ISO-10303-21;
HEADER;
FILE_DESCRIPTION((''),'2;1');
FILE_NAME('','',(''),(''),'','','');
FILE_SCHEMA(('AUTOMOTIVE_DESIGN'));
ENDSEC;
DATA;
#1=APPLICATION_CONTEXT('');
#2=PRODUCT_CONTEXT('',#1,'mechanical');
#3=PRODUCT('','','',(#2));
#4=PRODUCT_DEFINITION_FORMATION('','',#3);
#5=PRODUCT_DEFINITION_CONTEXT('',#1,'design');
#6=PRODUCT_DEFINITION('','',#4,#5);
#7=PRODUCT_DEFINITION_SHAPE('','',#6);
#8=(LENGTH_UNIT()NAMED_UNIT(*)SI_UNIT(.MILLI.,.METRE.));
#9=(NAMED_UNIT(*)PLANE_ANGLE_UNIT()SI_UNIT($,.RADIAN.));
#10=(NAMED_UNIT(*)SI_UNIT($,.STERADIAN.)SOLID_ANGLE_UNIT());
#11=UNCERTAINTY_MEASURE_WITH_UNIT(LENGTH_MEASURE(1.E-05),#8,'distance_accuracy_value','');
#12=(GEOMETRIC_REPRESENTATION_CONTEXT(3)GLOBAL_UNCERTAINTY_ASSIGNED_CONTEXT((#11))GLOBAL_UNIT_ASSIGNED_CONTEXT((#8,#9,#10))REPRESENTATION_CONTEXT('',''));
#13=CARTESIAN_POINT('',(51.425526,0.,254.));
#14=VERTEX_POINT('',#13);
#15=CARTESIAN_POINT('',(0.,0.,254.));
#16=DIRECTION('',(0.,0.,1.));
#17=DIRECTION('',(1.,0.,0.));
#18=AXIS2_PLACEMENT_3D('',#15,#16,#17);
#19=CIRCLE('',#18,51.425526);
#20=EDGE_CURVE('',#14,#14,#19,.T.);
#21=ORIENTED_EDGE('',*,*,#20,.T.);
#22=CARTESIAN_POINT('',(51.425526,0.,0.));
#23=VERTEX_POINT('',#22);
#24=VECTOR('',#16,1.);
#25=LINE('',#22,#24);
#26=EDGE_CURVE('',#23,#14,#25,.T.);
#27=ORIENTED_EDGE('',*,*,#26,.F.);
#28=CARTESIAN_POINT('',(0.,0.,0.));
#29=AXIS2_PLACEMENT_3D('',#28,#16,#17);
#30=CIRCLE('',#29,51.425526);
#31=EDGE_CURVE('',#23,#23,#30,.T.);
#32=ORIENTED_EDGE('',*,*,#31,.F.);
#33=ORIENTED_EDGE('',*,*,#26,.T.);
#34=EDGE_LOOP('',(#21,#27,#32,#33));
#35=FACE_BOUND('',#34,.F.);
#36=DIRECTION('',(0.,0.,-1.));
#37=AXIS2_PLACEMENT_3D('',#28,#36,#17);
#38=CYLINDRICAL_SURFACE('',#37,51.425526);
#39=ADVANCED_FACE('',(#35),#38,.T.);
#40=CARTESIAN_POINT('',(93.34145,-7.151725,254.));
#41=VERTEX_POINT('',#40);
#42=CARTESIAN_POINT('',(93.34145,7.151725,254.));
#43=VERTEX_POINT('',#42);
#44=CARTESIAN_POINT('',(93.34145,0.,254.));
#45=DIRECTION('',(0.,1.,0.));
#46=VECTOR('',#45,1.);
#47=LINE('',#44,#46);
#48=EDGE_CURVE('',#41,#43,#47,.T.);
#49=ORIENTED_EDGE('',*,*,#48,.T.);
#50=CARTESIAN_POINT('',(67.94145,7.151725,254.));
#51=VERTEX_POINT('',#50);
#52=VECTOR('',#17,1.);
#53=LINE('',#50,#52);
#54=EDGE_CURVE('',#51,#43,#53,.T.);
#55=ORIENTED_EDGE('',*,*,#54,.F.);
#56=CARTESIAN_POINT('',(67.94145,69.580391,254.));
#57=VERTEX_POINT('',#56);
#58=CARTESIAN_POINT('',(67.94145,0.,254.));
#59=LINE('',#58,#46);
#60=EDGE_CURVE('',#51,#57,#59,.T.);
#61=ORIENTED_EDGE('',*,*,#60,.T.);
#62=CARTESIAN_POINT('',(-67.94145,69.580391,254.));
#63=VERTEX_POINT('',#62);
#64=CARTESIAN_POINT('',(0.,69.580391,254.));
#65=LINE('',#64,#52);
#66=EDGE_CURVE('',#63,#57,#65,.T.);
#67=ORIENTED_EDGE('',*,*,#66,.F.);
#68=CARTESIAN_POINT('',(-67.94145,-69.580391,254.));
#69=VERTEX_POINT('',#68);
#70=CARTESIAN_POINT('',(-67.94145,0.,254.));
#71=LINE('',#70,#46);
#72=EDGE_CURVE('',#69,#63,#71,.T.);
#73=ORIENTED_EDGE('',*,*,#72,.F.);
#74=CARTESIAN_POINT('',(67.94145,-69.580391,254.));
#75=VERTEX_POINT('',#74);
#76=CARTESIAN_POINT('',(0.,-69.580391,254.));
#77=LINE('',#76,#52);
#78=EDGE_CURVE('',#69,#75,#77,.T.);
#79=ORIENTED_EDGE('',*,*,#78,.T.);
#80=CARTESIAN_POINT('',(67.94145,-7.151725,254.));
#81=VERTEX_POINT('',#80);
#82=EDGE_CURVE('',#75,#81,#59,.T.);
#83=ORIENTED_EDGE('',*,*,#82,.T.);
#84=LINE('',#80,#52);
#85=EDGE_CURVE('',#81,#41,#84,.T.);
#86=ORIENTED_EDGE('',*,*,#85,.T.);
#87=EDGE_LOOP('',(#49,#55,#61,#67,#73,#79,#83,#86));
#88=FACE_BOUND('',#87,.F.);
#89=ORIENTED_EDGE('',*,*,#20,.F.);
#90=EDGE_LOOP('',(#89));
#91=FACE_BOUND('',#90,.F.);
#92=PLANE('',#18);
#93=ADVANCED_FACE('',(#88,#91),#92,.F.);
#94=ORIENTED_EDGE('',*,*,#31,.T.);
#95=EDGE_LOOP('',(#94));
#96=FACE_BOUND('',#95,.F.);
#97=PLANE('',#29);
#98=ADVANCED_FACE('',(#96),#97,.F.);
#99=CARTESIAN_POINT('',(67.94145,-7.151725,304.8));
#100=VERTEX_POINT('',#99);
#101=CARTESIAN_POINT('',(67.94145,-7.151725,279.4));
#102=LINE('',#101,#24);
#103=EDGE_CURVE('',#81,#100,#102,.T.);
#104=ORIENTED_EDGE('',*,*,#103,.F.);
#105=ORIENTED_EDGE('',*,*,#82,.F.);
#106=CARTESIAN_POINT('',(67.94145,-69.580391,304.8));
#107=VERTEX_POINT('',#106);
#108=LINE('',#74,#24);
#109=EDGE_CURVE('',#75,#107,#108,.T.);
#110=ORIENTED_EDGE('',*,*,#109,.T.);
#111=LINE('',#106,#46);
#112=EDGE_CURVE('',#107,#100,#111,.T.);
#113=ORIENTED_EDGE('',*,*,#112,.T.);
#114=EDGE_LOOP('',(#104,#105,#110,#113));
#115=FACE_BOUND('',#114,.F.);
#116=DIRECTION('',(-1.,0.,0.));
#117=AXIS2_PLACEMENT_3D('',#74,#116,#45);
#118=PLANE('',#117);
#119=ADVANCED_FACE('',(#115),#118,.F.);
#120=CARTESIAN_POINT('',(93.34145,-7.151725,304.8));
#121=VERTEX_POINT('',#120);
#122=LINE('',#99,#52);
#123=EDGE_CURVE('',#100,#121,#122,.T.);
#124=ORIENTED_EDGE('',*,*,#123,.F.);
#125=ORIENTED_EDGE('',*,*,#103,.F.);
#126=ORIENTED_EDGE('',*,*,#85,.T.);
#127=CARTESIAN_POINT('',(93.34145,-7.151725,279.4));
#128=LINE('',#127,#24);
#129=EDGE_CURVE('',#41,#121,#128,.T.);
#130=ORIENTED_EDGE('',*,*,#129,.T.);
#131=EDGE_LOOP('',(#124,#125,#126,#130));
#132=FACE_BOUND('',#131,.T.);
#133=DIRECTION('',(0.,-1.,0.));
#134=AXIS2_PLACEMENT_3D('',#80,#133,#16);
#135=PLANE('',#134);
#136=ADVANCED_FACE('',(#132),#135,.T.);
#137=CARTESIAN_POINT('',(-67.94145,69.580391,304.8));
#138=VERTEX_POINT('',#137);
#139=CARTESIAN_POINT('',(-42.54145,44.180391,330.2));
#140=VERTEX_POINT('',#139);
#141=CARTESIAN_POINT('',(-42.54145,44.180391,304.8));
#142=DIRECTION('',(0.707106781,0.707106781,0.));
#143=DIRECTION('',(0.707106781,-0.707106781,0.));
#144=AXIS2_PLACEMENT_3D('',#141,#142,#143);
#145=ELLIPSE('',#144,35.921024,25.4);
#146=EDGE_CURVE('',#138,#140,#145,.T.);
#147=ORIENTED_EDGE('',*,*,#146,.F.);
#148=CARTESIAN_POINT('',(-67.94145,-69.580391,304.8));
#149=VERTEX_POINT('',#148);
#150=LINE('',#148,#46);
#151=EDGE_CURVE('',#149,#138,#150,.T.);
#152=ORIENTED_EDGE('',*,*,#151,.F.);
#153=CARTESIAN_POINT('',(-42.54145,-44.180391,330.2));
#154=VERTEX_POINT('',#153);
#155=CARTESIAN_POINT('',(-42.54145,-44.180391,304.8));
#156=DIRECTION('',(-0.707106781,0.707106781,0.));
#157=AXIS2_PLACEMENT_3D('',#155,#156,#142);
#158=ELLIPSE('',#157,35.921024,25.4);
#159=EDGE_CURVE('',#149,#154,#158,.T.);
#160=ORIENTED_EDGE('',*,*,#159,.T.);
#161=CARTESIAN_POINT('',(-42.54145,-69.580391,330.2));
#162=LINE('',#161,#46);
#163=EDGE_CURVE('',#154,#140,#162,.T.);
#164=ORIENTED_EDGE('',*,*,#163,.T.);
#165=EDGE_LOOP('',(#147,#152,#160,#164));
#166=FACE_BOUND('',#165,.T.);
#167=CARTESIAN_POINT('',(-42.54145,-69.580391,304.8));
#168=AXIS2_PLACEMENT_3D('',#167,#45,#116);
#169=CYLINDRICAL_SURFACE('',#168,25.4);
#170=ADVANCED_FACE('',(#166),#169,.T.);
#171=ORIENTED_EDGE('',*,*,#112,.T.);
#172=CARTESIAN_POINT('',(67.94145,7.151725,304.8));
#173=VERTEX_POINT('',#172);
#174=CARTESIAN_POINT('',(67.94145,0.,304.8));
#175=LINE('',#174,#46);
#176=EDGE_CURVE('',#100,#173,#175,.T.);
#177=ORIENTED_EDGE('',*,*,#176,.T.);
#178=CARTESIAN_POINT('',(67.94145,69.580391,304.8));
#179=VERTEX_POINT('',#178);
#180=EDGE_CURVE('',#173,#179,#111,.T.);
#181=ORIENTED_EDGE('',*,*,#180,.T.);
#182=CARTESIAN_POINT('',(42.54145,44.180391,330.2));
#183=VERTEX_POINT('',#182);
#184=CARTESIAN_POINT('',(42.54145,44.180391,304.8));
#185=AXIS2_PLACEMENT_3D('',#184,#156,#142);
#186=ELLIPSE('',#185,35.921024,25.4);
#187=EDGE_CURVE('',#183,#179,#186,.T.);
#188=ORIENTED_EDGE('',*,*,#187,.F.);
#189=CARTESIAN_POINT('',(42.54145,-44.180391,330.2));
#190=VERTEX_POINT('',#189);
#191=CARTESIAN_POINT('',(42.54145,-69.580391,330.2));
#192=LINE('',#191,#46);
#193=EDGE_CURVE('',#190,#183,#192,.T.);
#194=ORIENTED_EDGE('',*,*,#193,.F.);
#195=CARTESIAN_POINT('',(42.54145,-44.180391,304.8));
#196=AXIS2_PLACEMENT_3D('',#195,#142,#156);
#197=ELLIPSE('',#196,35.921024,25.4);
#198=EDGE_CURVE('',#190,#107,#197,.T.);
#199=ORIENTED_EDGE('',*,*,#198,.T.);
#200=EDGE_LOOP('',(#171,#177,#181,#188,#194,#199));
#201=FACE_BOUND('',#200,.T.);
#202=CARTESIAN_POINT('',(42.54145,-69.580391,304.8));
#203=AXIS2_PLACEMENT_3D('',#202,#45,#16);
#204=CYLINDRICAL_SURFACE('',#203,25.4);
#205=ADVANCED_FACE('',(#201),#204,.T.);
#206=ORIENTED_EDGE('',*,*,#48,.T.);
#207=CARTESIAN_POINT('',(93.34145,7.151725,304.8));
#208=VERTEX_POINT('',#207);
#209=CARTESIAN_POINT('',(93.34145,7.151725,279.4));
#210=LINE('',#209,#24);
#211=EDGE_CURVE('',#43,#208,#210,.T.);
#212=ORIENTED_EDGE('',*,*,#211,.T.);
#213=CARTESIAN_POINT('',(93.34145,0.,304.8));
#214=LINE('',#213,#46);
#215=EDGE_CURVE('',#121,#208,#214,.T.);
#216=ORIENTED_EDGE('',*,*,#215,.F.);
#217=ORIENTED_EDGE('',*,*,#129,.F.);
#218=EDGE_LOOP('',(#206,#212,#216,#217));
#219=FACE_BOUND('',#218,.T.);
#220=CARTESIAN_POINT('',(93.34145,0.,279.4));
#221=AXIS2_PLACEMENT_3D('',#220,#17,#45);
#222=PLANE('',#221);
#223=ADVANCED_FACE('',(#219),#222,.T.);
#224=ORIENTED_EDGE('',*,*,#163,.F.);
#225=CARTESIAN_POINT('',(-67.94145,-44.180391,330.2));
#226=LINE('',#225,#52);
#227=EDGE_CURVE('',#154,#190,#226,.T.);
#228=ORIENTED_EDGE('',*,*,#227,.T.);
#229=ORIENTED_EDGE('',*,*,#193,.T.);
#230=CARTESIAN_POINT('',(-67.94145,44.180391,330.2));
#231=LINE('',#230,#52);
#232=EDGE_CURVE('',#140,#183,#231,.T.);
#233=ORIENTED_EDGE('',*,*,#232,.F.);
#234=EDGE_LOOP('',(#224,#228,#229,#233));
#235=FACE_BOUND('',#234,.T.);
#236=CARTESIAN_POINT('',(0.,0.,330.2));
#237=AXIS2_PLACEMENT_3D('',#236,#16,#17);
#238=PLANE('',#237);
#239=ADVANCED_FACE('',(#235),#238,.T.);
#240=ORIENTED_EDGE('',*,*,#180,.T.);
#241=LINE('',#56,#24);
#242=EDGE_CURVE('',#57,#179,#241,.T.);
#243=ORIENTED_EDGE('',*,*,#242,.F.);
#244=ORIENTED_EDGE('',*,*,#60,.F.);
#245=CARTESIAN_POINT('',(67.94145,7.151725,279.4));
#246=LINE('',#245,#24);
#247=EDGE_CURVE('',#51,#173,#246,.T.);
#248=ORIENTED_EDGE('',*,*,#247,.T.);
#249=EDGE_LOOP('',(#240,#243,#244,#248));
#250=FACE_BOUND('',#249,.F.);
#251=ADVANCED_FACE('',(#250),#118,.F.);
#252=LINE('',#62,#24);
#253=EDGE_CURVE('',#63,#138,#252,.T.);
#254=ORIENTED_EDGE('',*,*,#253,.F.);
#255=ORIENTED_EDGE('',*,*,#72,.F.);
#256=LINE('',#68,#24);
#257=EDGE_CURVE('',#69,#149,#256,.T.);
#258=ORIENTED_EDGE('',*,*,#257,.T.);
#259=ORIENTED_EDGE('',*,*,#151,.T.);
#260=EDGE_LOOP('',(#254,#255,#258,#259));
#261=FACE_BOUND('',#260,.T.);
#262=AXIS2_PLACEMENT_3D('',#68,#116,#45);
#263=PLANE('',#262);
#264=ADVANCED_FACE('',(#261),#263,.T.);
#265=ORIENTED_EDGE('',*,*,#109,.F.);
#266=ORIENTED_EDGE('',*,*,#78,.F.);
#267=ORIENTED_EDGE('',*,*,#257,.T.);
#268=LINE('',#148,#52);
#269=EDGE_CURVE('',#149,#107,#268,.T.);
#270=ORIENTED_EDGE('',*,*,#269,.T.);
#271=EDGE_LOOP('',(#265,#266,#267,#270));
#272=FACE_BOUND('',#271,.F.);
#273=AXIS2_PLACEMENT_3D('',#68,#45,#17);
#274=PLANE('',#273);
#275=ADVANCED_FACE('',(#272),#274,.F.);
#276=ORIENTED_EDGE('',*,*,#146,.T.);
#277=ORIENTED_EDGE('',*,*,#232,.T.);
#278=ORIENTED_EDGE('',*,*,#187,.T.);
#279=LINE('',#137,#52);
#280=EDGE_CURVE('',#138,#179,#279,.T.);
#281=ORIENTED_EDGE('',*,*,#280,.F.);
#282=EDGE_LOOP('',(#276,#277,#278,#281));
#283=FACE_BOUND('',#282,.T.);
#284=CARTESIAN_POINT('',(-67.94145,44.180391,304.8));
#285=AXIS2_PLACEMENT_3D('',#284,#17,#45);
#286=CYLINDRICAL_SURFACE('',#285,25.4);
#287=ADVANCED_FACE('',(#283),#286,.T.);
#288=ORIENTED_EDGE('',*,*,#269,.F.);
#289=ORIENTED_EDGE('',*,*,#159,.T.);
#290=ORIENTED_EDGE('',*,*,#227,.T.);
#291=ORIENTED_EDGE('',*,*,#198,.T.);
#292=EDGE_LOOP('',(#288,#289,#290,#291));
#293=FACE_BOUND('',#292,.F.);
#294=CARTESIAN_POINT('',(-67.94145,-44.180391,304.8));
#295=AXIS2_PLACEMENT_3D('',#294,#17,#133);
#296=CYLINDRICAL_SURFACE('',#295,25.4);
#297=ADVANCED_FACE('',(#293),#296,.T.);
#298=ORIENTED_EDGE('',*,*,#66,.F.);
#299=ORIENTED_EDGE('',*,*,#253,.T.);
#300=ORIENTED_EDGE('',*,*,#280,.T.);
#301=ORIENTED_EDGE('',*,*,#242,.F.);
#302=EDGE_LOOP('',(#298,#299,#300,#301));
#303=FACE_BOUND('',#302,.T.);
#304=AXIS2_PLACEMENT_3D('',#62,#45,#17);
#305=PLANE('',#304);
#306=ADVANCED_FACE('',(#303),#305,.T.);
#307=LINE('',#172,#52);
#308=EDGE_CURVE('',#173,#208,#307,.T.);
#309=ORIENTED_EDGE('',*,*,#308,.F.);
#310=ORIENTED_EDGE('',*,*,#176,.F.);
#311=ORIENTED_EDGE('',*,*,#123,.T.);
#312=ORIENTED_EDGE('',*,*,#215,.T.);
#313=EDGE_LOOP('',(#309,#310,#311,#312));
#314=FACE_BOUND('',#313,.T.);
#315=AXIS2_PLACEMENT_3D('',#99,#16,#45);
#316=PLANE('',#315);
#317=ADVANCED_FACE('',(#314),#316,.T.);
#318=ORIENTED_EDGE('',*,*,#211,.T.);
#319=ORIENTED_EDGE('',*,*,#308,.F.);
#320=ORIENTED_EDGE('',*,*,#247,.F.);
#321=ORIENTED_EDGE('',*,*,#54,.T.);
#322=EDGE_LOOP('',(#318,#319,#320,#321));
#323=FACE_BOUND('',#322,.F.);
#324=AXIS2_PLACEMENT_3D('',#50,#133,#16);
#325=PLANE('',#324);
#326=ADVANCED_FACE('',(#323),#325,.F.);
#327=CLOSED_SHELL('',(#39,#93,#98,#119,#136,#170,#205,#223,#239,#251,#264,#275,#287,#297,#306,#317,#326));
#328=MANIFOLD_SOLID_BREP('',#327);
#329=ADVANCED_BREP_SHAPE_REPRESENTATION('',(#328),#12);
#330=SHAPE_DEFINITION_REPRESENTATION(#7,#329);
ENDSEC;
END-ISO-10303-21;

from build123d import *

# Parameters (mm, degrees)
F0_R     = 51.425526
F1_DEPTH = 254
F2_W     = 135.8829
F2_H     = 139.160782
F3_DEPTH = 76.2
F4_R     = 25.4
F5_W     = 14.30345
F5_H     = 50.8
F6_DEPTH = 25.4


with BuildPart() as f1:
    # F0 (on Top) → F1 (new body)
    with BuildSketch(Plane.XY):
        Circle(F0_R)
    extrude(amount=F1_DEPTH)

    # F2 (on face) → F3 (join)
    with BuildSketch(Plane.XY.offset(254)):
        Rectangle(F2_W, F2_H)
    extrude(amount=F3_DEPTH)

    # F4
    f4_edges = [f1.edges().sort_by_distance(p)[0] for p in [
        (67.94145, 0, 330.2),
        (0, 69.580391, 330.2),
        (-67.94145, 0, 330.2),
        (0, -69.580391, 330.2),
    ]]
    fillet(f4_edges, radius=F4_R)

    # F5 (on face) → F6 (join)
    with BuildSketch(Plane.YZ.offset(67.94145)):
        with Locations((0, 279.4)):
            Rectangle(F5_W, F5_H)
    extrude(amount=F6_DEPTH)


solid = f1.part
